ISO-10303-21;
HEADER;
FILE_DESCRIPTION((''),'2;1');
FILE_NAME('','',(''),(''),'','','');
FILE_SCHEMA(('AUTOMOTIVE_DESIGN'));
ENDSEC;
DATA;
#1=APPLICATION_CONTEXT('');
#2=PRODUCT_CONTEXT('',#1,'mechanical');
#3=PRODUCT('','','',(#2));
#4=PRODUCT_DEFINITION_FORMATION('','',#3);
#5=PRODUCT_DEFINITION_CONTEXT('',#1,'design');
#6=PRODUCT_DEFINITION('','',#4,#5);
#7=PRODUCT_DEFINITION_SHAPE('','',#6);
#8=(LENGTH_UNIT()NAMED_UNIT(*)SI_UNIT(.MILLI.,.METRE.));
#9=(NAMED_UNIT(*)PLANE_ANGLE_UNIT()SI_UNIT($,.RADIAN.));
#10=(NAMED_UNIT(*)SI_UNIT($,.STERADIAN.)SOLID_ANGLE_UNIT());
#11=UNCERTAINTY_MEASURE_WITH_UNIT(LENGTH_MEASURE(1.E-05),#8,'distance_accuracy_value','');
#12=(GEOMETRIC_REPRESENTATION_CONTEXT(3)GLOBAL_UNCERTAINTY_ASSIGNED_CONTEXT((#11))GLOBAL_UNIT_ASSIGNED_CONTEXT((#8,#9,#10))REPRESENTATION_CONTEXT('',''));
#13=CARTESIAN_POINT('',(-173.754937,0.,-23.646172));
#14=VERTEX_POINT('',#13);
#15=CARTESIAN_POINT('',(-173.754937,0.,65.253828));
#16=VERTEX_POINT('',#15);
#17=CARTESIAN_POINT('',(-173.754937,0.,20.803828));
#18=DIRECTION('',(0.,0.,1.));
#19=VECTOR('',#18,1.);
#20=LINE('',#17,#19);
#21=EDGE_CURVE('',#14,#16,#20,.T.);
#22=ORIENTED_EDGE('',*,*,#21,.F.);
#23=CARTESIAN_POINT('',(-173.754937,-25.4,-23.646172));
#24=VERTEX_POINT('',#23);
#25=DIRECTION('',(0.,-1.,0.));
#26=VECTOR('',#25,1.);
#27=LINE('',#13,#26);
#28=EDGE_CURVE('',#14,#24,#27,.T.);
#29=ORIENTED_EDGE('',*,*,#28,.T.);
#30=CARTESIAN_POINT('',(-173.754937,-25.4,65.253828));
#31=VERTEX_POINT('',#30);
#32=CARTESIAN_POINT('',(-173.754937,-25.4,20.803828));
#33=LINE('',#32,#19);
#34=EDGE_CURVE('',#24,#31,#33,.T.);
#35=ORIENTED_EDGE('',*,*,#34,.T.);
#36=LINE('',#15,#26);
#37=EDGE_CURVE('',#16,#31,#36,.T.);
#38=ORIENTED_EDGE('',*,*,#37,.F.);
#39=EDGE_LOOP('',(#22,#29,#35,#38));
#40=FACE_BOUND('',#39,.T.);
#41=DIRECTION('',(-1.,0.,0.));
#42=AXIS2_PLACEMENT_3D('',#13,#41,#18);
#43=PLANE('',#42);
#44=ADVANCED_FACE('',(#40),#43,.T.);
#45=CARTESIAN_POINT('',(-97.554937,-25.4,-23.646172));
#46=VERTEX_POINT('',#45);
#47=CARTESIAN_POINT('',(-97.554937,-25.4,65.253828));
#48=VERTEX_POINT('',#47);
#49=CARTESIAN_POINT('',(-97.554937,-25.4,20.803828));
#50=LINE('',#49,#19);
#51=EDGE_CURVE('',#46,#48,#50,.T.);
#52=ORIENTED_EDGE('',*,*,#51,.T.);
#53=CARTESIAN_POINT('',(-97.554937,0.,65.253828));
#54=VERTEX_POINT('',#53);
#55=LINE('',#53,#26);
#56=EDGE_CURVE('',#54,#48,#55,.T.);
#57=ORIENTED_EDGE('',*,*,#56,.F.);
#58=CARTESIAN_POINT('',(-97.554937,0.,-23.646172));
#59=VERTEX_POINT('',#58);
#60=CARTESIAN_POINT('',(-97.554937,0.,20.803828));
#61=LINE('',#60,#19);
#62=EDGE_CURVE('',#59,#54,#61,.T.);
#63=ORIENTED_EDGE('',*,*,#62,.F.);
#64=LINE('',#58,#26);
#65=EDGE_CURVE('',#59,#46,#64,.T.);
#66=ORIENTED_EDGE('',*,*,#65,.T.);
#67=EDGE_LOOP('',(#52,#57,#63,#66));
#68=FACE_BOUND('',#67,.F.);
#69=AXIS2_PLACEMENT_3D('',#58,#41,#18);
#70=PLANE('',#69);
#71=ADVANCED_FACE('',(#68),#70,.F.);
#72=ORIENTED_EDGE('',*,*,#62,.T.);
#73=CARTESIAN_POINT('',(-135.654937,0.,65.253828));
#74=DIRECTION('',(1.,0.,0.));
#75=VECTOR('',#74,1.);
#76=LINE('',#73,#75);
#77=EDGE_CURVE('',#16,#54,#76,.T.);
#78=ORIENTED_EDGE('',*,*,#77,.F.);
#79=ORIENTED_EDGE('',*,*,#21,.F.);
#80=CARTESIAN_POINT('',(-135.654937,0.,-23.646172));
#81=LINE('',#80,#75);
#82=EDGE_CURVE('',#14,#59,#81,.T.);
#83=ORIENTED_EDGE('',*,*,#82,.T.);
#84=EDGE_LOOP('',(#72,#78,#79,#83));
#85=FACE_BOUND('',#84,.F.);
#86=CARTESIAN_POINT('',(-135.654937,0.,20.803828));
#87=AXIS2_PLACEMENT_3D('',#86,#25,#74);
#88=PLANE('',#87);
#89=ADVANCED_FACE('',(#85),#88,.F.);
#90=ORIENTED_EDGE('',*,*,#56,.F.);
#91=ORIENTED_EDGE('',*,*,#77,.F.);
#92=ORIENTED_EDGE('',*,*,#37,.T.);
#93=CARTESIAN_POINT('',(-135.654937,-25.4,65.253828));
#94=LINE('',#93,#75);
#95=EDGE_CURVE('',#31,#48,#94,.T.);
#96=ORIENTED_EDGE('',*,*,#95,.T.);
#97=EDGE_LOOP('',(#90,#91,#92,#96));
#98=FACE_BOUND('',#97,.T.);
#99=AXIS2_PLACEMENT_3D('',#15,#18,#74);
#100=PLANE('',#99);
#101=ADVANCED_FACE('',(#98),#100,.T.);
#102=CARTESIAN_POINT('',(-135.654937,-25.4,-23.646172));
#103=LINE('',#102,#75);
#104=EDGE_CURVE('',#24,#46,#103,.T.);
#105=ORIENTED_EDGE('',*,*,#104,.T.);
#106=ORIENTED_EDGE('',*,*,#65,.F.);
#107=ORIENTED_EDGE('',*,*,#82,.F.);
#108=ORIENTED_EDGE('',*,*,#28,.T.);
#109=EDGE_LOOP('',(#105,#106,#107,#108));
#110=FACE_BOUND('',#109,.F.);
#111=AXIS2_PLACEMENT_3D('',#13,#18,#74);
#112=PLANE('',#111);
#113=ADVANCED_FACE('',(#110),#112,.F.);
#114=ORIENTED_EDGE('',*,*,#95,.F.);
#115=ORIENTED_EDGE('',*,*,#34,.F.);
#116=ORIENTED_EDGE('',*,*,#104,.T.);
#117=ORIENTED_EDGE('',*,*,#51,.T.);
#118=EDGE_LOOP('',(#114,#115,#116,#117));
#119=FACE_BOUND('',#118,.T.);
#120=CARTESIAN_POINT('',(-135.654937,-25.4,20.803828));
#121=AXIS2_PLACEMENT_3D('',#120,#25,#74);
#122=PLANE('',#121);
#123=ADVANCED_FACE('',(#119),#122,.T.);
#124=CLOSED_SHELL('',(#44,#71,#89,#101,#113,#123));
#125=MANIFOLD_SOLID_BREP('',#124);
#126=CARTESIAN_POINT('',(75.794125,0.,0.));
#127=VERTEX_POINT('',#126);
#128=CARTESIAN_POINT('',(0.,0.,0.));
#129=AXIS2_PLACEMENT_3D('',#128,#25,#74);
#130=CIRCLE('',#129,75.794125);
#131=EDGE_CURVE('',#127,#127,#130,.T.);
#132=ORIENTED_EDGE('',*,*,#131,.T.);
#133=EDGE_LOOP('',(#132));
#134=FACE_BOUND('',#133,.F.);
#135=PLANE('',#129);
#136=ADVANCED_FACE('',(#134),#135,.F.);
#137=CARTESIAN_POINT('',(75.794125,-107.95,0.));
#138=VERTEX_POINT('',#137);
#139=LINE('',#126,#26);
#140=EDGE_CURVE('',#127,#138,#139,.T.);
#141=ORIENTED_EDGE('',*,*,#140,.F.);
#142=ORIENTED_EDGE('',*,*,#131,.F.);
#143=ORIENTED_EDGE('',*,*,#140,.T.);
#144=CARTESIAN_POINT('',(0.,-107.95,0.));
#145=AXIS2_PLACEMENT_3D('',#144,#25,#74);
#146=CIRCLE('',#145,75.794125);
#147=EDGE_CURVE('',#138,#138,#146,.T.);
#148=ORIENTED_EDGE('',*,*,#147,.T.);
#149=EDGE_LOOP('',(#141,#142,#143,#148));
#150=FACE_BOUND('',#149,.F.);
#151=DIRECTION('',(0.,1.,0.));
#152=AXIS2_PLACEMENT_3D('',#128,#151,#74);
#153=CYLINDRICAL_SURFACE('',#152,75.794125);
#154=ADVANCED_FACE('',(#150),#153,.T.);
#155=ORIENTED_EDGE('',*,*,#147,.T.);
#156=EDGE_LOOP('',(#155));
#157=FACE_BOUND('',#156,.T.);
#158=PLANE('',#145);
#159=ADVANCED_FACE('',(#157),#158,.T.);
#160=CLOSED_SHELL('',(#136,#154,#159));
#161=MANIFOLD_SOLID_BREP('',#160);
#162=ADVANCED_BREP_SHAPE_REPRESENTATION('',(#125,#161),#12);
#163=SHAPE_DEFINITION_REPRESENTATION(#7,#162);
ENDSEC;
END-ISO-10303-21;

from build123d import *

# Parameters (mm, degrees)
F0_R     = 75.794125
F1_DEPTH = 107.95
F2_W     = 76.2
F2_H     = 88.9
F3_DEPTH = 25.4


with BuildPart() as f1:
    # F0 (on Front) → F1 (new body)
    with BuildSketch(Plane.XZ):
        Circle(F0_R)
    extrude(amount=F1_DEPTH)


with BuildPart() as f3:
    # F2 (on Front) → F3 (new body)
    with BuildSketch(Plane.XZ):
        with Locations((-135.654937, 20.803828)):
            Rectangle(F2_W, F2_H)
    extrude(amount=F3_DEPTH)


solid = Compound([f1.part, f3.part])
